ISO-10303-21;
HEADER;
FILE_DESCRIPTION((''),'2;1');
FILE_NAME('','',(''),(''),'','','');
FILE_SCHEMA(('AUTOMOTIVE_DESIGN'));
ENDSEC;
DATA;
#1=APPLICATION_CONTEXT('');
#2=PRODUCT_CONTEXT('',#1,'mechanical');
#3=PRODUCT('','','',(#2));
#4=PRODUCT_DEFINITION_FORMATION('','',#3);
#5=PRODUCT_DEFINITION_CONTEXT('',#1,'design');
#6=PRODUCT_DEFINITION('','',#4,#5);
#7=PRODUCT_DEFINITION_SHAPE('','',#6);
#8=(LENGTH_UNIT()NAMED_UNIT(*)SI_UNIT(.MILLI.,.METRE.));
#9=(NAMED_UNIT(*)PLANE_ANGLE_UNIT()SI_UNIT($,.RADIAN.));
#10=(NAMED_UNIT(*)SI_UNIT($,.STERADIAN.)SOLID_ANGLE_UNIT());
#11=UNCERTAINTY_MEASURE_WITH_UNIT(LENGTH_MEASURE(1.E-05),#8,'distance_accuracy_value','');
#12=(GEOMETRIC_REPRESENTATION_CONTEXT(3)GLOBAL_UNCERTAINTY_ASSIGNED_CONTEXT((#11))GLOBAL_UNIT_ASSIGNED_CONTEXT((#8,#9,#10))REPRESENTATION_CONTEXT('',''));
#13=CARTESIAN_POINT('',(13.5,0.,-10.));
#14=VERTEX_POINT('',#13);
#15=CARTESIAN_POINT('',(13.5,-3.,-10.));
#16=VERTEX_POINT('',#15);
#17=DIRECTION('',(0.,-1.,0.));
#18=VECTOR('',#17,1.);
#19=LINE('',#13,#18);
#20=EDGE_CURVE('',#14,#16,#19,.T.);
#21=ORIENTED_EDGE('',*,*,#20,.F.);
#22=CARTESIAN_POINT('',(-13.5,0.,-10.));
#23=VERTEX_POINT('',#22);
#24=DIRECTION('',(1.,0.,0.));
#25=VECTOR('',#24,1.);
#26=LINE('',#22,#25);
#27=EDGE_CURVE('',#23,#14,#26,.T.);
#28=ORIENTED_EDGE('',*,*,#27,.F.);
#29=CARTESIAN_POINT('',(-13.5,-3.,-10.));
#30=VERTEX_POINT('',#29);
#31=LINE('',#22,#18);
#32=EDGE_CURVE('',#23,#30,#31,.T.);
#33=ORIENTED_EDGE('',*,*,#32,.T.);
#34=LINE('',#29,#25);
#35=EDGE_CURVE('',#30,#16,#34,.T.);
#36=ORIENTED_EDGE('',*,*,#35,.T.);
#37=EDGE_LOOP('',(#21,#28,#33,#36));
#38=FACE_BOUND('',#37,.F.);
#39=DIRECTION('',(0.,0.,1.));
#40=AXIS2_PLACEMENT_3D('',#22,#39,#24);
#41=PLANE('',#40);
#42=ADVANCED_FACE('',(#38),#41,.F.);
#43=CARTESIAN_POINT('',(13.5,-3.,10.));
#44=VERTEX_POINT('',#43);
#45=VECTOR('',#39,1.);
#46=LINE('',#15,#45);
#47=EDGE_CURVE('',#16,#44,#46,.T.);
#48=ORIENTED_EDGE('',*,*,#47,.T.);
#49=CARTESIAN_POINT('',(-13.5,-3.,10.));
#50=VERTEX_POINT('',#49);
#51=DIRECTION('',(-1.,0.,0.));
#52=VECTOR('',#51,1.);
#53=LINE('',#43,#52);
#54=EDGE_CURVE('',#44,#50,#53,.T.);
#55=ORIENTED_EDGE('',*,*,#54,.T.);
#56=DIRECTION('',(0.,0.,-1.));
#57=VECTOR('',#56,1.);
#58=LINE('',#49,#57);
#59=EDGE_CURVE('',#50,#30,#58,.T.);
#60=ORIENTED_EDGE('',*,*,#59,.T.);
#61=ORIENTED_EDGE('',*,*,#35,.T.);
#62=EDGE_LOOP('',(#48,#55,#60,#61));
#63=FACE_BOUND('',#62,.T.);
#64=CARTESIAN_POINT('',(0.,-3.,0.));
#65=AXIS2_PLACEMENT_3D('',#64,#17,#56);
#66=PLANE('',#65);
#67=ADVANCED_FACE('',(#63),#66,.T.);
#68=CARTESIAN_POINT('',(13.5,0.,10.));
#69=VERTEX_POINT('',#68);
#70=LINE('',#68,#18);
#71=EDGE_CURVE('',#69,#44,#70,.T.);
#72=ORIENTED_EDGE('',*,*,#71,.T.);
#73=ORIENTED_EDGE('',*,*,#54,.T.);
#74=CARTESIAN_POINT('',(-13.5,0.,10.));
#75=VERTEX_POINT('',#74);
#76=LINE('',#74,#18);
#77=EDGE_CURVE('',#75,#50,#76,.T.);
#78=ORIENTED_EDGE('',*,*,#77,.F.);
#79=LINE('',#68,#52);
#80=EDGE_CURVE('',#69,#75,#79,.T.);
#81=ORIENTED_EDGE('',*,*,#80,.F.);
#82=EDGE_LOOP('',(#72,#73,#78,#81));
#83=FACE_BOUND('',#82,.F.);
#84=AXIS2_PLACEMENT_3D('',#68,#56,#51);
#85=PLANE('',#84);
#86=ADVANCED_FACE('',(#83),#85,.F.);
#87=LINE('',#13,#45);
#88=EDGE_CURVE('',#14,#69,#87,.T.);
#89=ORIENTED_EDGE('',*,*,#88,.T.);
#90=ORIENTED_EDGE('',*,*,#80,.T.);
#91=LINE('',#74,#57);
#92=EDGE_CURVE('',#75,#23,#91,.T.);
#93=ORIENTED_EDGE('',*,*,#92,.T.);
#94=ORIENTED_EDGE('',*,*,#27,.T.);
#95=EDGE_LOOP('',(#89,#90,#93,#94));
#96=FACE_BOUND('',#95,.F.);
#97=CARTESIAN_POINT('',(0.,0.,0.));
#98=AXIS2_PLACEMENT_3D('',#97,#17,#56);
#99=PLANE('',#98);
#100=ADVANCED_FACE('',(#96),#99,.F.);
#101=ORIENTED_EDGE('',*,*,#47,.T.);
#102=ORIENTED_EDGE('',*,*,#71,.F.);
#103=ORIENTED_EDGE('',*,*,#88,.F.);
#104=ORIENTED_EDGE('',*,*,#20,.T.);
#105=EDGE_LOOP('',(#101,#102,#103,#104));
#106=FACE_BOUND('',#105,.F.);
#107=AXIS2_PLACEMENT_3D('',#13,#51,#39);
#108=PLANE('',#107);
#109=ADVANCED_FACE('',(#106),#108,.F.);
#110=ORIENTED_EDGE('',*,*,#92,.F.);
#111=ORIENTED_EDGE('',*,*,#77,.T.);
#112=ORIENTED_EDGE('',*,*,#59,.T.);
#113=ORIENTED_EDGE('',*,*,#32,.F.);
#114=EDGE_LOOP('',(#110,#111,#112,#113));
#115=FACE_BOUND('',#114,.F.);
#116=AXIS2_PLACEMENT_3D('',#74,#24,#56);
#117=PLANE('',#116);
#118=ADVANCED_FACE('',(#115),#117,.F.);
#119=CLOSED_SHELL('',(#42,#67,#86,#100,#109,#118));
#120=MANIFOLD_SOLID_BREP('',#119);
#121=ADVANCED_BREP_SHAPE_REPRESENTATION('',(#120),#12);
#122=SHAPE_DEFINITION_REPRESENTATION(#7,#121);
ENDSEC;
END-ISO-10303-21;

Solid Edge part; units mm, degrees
sketch "Sketch1" plane through (0, 0, 0) normal (0, -1, 0) x (1, 0, 0)
  line L0 (-13.5, -10) -> (13.5, -10)
  line L1 (13.5, -10) -> (13.5, 10)
  line L2 (13.5, 10) -> (-13.5, 10)
  line L3 (-13.5, 10) -> (-13.5, -10)
extrude "Protrusion1" add sketch "Sketch1" along normal blind 3
